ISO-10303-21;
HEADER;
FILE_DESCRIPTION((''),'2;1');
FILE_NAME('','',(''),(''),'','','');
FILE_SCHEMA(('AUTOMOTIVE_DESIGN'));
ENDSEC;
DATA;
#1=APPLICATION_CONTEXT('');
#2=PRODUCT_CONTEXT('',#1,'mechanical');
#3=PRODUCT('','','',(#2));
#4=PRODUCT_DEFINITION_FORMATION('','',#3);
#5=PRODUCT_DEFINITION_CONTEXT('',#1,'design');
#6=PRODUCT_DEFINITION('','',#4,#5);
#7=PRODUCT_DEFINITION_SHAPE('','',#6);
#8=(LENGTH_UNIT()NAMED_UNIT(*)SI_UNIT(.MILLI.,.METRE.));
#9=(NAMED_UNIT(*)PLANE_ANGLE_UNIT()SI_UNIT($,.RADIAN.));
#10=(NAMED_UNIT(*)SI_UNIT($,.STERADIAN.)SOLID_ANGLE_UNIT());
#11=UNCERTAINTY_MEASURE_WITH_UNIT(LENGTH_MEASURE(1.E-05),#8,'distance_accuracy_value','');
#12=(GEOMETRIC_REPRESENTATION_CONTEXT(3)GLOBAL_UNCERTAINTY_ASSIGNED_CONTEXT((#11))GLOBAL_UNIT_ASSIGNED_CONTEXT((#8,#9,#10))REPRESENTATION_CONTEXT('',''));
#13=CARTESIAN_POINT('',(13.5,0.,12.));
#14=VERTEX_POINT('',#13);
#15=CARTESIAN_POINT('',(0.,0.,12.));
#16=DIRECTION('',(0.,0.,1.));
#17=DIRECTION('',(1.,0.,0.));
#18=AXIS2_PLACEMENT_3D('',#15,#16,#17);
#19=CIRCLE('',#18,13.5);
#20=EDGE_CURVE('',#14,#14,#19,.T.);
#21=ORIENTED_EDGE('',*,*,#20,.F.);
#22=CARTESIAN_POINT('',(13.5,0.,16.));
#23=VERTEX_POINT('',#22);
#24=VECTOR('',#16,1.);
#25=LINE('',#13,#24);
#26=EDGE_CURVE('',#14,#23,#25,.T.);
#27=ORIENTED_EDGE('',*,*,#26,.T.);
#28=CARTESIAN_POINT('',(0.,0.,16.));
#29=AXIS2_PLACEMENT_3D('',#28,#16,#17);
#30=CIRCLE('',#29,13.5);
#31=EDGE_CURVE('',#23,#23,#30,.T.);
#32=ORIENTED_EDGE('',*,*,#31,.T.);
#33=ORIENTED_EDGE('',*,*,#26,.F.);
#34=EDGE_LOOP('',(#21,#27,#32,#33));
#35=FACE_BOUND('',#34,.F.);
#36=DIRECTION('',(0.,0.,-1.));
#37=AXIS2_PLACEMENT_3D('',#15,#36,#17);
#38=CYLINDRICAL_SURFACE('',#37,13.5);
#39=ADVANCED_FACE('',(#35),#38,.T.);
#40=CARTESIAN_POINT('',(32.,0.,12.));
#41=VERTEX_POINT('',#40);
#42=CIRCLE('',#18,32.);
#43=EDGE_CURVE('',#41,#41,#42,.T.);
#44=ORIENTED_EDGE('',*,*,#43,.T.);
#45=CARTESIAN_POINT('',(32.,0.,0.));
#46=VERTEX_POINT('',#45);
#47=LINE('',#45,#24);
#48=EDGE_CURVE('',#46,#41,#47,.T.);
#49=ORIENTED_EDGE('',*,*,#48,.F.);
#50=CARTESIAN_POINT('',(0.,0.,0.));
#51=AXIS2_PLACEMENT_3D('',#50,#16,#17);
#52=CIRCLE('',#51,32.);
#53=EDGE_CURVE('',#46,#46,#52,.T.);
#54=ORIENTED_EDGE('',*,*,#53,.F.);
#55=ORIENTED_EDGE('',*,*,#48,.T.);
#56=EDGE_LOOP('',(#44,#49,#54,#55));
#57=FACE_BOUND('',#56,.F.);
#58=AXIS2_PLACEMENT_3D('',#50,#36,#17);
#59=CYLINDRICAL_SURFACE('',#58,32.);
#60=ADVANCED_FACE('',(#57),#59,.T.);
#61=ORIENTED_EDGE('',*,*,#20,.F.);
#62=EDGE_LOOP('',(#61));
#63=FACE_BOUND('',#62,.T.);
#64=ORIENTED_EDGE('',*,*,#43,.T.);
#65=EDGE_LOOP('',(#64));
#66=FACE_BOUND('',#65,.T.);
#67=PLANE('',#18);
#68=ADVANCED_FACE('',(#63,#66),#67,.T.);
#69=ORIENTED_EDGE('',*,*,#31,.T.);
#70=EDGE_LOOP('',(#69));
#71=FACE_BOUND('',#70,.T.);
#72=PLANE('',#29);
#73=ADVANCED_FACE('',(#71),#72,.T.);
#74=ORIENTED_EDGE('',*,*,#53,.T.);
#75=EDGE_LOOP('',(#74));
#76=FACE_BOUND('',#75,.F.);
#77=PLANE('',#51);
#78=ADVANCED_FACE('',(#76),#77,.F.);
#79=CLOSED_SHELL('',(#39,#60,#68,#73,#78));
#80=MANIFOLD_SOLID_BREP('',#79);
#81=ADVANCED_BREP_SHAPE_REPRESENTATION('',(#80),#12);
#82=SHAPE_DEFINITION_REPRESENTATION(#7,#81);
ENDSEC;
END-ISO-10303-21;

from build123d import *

# Parameters (mm, degrees)
SKETCH_01_WHEEL_PROFILE_R           = 32
PAD_02_WHEEL_DEPTH                  = 12
SKETCH_03_FRONTHUB_PROFILE_R        = 13.5
PAD_04_FRONTHUB_DEPTH               = 4
SKETCH_05_CENTER_SCREW_HOLE_R       = 1.2
POCKET_06_CENTER_SCREW_HOLE_DEPTH   = 18
SKETCH_07_SERVOHORN_POCKET_R        = 10.4
POCKET_08_SERVOHORN_POCKET_DEPTH    = 2.6
SKETCH_09_HORN_SCREW_HOLES_4X_R     = 1.1
POCKET_10_HORN_SCREW_HOLES_4X_DEPTH = 18
SKETCH_11_SPOKE_CUTOUTS_6X_R        = 4
POCKET_12_SPOKE_CUTOUTS_6X_DEPTH    = 18


with BuildPart() as part:
    # Sketch_01_Wheel_Profile → Pad_02_Wheel (new body)
    with BuildSketch(Plane.XY):
        Circle(SKETCH_01_WHEEL_PROFILE_R)
    extrude(amount=PAD_02_WHEEL_DEPTH)

    # Sketch_03_FrontHub_Profile → Pad_04_FrontHub (join)
    with BuildSketch(Plane.XY.offset(12)):
        Circle(SKETCH_03_FRONTHUB_PROFILE_R)
    extrude(amount=PAD_04_FRONTHUB_DEPTH)

    # Sketch_05_Center_Screw_Hole → Pocket_06_Center_Screw_Hole (cut)
    with BuildSketch(Plane.XY.offset(16)):
        Circle(SKETCH_05_CENTER_SCREW_HOLE_R)
    extrude(amount=POCKET_06_CENTER_SCREW_HOLE_DEPTH, mode=Mode.SUBTRACT)

    # Sketch_07_ServoHorn_Pocket → Pocket_08_ServoHorn_Pocket (cut)
    with BuildSketch(Plane.XY.offset(16)):
        Circle(SKETCH_07_SERVOHORN_POCKET_R)
    extrude(amount=POCKET_08_SERVOHORN_POCKET_DEPTH, mode=Mode.SUBTRACT)

    # Sketch_09_Horn_Screw_Holes_4x → Pocket_10_Horn_Screw_Holes_4x (cut)
    with BuildSketch(Plane.XY.offset(16)):
        with Locations((7.5, 0)):
            Circle(SKETCH_09_HORN_SCREW_HOLES_4X_R)
        with Locations((0, 7.5)):
            Circle(SKETCH_09_HORN_SCREW_HOLES_4X_R)
        with Locations((-7.5, 0)):
            Circle(SKETCH_09_HORN_SCREW_HOLES_4X_R)
        with Locations((0, -7.5)):
            Circle(SKETCH_09_HORN_SCREW_HOLES_4X_R)
    extrude(amount=POCKET_10_HORN_SCREW_HOLES_4X_DEPTH, mode=Mode.SUBTRACT)

    # Sketch_11_Spoke_Cutouts_6x → Pocket_12_Spoke_Cutouts_6x (cut)
    with BuildSketch(Plane.XY.offset(16)):
        with Locations((19.5, 0)):
            Circle(SKETCH_11_SPOKE_CUTOUTS_6X_R)
        with Locations((9.75, 16.887495)):
            Circle(SKETCH_11_SPOKE_CUTOUTS_6X_R)
        with Locations((-9.75, 16.887495)):
            Circle(SKETCH_11_SPOKE_CUTOUTS_6X_R)
        with Locations((-19.5, 0)):
            Circle(SKETCH_11_SPOKE_CUTOUTS_6X_R)
        with Locations((-9.75, -16.887495)):
            Circle(SKETCH_11_SPOKE_CUTOUTS_6X_R)
        with Locations((9.75, -16.887495)):
            Circle(SKETCH_11_SPOKE_CUTOUTS_6X_R)
    extrude(amount=POCKET_12_SPOKE_CUTOUTS_6X_DEPTH, mode=Mode.SUBTRACT)


solid = part.part
